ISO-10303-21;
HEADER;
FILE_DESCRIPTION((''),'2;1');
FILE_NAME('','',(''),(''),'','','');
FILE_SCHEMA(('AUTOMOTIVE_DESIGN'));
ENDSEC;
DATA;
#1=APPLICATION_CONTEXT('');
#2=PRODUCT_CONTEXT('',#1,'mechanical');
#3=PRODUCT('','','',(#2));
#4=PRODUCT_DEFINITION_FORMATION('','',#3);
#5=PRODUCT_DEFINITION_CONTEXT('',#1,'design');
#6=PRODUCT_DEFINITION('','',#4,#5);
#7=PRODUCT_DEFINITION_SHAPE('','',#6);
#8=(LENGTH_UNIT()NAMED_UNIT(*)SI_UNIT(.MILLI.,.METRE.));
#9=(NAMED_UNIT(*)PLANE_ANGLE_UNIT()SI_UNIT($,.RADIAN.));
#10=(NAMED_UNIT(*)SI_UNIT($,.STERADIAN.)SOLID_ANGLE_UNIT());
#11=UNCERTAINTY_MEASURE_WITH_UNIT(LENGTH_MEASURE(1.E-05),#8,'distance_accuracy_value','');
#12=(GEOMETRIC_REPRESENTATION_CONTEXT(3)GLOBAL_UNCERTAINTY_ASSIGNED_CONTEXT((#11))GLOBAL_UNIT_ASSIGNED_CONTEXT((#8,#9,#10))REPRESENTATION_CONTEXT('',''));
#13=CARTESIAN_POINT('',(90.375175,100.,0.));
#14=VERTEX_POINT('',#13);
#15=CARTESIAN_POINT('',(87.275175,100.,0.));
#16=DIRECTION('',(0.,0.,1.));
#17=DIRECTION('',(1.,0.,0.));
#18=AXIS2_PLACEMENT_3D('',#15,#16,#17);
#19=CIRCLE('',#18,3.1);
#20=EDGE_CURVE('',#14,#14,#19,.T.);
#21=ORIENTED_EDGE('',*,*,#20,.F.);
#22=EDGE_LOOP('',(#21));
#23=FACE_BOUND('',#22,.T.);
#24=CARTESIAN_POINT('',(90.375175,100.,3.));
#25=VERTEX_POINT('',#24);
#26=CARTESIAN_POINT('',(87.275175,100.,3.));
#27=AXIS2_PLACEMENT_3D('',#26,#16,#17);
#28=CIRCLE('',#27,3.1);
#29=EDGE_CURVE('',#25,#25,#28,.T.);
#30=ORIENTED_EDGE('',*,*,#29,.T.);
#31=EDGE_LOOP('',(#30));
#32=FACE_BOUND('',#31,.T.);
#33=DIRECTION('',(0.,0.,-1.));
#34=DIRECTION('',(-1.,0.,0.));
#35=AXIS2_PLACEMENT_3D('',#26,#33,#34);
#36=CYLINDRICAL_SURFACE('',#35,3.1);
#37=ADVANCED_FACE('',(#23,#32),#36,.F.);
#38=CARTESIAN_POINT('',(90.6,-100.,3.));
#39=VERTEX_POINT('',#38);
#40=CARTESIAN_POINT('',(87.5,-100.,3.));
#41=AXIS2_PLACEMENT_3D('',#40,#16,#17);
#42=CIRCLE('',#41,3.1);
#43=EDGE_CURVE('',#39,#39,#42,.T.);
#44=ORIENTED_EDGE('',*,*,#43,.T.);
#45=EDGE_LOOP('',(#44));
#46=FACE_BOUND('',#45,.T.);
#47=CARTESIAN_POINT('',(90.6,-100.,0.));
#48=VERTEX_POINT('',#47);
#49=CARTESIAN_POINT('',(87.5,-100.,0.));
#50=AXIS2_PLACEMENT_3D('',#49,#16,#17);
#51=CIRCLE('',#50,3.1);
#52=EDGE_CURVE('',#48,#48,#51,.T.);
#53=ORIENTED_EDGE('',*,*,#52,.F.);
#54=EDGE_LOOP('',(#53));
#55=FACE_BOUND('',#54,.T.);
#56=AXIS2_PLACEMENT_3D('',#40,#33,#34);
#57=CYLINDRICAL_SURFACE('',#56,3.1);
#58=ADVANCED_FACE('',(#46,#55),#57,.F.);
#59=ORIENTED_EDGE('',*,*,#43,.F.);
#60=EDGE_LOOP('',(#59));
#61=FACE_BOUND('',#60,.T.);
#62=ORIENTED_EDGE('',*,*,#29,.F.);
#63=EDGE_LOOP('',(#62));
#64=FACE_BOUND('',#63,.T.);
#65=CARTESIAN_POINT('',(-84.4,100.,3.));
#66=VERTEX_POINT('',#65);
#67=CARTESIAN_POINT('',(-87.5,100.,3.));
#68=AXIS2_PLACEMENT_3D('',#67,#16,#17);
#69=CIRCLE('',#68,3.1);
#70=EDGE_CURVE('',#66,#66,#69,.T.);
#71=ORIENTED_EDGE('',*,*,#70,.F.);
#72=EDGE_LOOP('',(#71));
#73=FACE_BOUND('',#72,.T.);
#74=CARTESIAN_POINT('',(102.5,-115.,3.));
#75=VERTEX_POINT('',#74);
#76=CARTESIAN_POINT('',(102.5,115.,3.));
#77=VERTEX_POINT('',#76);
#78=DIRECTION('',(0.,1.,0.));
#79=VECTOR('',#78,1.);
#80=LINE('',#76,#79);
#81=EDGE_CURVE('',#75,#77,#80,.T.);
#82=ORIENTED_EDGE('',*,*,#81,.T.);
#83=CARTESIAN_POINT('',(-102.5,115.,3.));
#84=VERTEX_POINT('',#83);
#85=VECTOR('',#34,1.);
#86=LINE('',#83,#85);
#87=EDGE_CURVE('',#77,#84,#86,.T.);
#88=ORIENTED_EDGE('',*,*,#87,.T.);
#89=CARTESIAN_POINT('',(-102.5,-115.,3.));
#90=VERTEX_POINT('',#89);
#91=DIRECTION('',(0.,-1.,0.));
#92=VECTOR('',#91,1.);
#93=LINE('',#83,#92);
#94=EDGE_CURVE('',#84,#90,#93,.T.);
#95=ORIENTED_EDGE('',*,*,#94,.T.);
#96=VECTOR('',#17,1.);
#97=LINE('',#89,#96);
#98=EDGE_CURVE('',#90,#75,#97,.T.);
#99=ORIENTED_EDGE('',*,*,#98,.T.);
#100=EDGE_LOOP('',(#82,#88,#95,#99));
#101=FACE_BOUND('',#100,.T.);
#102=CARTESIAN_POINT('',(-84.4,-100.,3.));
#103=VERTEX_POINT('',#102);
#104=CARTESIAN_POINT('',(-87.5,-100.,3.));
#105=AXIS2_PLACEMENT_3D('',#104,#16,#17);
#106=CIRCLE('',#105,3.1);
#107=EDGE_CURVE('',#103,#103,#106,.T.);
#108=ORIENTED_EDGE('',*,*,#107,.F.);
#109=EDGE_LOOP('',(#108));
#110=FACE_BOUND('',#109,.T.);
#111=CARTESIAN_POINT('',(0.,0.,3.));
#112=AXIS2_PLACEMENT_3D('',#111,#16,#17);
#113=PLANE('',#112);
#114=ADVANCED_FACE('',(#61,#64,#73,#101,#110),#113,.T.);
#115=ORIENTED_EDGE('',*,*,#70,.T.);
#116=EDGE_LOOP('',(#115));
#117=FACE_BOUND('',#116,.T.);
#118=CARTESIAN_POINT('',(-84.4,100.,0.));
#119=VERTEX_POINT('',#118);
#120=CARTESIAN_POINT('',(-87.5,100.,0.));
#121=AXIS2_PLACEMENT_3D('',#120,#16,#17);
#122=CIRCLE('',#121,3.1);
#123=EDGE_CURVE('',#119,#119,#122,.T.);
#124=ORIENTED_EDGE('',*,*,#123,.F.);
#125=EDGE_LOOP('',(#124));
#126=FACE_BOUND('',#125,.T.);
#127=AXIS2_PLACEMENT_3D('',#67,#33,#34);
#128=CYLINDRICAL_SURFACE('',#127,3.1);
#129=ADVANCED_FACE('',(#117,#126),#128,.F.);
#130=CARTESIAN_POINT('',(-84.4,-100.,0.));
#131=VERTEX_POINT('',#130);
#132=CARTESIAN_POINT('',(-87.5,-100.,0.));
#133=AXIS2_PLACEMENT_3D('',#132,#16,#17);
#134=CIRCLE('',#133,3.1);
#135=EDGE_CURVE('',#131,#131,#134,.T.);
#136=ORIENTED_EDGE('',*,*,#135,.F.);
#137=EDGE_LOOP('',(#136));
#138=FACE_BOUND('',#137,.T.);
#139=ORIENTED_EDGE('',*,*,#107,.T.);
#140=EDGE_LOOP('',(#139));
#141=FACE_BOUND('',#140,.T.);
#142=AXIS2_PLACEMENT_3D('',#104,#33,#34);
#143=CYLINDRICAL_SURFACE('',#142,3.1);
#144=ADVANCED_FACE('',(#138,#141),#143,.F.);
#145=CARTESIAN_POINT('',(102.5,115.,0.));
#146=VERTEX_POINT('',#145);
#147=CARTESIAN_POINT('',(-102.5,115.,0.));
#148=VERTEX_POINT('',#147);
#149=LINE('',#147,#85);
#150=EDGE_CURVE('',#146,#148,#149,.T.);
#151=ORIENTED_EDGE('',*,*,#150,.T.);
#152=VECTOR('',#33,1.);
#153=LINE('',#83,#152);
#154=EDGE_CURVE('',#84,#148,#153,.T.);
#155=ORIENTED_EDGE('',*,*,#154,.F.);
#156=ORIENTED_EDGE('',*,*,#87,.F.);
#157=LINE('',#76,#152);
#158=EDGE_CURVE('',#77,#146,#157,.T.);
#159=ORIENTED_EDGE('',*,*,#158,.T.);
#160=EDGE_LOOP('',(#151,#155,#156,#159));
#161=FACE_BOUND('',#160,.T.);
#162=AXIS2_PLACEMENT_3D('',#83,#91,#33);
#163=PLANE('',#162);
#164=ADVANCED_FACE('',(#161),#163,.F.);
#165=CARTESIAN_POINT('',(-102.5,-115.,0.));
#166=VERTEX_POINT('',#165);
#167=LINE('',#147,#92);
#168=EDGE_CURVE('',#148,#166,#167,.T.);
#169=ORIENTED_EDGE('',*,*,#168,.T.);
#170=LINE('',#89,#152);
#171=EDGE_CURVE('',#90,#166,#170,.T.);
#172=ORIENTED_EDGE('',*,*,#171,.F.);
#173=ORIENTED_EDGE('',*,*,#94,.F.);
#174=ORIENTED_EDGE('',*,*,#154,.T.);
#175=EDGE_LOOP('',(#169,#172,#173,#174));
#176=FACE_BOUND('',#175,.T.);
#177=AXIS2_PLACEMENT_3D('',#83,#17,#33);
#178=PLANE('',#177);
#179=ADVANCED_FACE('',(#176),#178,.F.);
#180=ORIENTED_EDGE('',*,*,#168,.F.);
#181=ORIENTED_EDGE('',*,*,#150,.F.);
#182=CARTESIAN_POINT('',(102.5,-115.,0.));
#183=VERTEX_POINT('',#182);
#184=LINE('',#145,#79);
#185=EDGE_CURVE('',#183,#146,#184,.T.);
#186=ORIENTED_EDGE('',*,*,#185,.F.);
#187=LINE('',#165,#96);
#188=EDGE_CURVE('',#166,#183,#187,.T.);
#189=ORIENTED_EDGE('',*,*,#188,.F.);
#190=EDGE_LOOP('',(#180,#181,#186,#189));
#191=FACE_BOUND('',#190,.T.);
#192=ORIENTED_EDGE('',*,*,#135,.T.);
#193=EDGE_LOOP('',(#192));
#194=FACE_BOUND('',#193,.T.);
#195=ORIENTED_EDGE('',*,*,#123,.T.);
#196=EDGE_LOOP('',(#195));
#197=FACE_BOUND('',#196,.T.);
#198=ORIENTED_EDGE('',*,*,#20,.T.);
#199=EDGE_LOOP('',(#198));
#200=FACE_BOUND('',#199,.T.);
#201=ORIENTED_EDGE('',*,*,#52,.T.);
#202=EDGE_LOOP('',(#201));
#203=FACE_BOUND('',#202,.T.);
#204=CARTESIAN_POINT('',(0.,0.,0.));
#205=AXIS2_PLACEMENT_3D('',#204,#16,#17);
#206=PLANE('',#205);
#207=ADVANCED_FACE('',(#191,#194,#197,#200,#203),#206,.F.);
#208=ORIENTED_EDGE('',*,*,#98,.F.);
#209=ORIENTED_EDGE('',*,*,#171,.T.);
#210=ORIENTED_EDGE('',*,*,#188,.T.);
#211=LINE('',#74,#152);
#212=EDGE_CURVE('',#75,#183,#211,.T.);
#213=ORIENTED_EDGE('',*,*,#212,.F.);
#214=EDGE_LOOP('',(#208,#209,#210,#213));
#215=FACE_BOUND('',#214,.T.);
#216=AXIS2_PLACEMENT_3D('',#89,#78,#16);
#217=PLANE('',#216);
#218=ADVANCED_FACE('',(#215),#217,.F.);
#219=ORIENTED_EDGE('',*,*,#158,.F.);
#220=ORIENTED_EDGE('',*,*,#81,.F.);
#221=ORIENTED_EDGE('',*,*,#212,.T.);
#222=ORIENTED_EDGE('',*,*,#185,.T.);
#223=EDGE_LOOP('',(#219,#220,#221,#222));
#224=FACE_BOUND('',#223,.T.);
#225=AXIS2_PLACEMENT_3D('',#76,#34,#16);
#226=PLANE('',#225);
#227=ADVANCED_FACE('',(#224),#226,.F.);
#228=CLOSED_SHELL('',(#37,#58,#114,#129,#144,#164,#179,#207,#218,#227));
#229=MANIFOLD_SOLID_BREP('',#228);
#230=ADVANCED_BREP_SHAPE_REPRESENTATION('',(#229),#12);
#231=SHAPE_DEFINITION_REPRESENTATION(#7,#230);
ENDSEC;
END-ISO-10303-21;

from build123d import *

# Parameters (mm, degrees)
CROQUIS1_W              = 205
CROQUIS1_H              = 230
CROQUIS1_R              = 3.1
SALIENTE_EXTRUIR1_DEPTH = 3


with BuildPart() as part:
    # Croquis1 → Saliente-Extruir1 (new body)
    with BuildSketch(Plane.XY):
        Rectangle(CROQUIS1_W, CROQUIS1_H)
        with Locations((-87.5, 100)):
            Circle(CROQUIS1_R, mode=Mode.SUBTRACT)
        with Locations((87.275174875, 100)):
            Circle(CROQUIS1_R, mode=Mode.SUBTRACT)
        with Locations((-87.5, -100)):
            Circle(CROQUIS1_R, mode=Mode.SUBTRACT)
        with Locations((87.5, -100)):
            Circle(CROQUIS1_R, mode=Mode.SUBTRACT)
    extrude(amount=SALIENTE_EXTRUIR1_DEPTH)


solid = part.part
